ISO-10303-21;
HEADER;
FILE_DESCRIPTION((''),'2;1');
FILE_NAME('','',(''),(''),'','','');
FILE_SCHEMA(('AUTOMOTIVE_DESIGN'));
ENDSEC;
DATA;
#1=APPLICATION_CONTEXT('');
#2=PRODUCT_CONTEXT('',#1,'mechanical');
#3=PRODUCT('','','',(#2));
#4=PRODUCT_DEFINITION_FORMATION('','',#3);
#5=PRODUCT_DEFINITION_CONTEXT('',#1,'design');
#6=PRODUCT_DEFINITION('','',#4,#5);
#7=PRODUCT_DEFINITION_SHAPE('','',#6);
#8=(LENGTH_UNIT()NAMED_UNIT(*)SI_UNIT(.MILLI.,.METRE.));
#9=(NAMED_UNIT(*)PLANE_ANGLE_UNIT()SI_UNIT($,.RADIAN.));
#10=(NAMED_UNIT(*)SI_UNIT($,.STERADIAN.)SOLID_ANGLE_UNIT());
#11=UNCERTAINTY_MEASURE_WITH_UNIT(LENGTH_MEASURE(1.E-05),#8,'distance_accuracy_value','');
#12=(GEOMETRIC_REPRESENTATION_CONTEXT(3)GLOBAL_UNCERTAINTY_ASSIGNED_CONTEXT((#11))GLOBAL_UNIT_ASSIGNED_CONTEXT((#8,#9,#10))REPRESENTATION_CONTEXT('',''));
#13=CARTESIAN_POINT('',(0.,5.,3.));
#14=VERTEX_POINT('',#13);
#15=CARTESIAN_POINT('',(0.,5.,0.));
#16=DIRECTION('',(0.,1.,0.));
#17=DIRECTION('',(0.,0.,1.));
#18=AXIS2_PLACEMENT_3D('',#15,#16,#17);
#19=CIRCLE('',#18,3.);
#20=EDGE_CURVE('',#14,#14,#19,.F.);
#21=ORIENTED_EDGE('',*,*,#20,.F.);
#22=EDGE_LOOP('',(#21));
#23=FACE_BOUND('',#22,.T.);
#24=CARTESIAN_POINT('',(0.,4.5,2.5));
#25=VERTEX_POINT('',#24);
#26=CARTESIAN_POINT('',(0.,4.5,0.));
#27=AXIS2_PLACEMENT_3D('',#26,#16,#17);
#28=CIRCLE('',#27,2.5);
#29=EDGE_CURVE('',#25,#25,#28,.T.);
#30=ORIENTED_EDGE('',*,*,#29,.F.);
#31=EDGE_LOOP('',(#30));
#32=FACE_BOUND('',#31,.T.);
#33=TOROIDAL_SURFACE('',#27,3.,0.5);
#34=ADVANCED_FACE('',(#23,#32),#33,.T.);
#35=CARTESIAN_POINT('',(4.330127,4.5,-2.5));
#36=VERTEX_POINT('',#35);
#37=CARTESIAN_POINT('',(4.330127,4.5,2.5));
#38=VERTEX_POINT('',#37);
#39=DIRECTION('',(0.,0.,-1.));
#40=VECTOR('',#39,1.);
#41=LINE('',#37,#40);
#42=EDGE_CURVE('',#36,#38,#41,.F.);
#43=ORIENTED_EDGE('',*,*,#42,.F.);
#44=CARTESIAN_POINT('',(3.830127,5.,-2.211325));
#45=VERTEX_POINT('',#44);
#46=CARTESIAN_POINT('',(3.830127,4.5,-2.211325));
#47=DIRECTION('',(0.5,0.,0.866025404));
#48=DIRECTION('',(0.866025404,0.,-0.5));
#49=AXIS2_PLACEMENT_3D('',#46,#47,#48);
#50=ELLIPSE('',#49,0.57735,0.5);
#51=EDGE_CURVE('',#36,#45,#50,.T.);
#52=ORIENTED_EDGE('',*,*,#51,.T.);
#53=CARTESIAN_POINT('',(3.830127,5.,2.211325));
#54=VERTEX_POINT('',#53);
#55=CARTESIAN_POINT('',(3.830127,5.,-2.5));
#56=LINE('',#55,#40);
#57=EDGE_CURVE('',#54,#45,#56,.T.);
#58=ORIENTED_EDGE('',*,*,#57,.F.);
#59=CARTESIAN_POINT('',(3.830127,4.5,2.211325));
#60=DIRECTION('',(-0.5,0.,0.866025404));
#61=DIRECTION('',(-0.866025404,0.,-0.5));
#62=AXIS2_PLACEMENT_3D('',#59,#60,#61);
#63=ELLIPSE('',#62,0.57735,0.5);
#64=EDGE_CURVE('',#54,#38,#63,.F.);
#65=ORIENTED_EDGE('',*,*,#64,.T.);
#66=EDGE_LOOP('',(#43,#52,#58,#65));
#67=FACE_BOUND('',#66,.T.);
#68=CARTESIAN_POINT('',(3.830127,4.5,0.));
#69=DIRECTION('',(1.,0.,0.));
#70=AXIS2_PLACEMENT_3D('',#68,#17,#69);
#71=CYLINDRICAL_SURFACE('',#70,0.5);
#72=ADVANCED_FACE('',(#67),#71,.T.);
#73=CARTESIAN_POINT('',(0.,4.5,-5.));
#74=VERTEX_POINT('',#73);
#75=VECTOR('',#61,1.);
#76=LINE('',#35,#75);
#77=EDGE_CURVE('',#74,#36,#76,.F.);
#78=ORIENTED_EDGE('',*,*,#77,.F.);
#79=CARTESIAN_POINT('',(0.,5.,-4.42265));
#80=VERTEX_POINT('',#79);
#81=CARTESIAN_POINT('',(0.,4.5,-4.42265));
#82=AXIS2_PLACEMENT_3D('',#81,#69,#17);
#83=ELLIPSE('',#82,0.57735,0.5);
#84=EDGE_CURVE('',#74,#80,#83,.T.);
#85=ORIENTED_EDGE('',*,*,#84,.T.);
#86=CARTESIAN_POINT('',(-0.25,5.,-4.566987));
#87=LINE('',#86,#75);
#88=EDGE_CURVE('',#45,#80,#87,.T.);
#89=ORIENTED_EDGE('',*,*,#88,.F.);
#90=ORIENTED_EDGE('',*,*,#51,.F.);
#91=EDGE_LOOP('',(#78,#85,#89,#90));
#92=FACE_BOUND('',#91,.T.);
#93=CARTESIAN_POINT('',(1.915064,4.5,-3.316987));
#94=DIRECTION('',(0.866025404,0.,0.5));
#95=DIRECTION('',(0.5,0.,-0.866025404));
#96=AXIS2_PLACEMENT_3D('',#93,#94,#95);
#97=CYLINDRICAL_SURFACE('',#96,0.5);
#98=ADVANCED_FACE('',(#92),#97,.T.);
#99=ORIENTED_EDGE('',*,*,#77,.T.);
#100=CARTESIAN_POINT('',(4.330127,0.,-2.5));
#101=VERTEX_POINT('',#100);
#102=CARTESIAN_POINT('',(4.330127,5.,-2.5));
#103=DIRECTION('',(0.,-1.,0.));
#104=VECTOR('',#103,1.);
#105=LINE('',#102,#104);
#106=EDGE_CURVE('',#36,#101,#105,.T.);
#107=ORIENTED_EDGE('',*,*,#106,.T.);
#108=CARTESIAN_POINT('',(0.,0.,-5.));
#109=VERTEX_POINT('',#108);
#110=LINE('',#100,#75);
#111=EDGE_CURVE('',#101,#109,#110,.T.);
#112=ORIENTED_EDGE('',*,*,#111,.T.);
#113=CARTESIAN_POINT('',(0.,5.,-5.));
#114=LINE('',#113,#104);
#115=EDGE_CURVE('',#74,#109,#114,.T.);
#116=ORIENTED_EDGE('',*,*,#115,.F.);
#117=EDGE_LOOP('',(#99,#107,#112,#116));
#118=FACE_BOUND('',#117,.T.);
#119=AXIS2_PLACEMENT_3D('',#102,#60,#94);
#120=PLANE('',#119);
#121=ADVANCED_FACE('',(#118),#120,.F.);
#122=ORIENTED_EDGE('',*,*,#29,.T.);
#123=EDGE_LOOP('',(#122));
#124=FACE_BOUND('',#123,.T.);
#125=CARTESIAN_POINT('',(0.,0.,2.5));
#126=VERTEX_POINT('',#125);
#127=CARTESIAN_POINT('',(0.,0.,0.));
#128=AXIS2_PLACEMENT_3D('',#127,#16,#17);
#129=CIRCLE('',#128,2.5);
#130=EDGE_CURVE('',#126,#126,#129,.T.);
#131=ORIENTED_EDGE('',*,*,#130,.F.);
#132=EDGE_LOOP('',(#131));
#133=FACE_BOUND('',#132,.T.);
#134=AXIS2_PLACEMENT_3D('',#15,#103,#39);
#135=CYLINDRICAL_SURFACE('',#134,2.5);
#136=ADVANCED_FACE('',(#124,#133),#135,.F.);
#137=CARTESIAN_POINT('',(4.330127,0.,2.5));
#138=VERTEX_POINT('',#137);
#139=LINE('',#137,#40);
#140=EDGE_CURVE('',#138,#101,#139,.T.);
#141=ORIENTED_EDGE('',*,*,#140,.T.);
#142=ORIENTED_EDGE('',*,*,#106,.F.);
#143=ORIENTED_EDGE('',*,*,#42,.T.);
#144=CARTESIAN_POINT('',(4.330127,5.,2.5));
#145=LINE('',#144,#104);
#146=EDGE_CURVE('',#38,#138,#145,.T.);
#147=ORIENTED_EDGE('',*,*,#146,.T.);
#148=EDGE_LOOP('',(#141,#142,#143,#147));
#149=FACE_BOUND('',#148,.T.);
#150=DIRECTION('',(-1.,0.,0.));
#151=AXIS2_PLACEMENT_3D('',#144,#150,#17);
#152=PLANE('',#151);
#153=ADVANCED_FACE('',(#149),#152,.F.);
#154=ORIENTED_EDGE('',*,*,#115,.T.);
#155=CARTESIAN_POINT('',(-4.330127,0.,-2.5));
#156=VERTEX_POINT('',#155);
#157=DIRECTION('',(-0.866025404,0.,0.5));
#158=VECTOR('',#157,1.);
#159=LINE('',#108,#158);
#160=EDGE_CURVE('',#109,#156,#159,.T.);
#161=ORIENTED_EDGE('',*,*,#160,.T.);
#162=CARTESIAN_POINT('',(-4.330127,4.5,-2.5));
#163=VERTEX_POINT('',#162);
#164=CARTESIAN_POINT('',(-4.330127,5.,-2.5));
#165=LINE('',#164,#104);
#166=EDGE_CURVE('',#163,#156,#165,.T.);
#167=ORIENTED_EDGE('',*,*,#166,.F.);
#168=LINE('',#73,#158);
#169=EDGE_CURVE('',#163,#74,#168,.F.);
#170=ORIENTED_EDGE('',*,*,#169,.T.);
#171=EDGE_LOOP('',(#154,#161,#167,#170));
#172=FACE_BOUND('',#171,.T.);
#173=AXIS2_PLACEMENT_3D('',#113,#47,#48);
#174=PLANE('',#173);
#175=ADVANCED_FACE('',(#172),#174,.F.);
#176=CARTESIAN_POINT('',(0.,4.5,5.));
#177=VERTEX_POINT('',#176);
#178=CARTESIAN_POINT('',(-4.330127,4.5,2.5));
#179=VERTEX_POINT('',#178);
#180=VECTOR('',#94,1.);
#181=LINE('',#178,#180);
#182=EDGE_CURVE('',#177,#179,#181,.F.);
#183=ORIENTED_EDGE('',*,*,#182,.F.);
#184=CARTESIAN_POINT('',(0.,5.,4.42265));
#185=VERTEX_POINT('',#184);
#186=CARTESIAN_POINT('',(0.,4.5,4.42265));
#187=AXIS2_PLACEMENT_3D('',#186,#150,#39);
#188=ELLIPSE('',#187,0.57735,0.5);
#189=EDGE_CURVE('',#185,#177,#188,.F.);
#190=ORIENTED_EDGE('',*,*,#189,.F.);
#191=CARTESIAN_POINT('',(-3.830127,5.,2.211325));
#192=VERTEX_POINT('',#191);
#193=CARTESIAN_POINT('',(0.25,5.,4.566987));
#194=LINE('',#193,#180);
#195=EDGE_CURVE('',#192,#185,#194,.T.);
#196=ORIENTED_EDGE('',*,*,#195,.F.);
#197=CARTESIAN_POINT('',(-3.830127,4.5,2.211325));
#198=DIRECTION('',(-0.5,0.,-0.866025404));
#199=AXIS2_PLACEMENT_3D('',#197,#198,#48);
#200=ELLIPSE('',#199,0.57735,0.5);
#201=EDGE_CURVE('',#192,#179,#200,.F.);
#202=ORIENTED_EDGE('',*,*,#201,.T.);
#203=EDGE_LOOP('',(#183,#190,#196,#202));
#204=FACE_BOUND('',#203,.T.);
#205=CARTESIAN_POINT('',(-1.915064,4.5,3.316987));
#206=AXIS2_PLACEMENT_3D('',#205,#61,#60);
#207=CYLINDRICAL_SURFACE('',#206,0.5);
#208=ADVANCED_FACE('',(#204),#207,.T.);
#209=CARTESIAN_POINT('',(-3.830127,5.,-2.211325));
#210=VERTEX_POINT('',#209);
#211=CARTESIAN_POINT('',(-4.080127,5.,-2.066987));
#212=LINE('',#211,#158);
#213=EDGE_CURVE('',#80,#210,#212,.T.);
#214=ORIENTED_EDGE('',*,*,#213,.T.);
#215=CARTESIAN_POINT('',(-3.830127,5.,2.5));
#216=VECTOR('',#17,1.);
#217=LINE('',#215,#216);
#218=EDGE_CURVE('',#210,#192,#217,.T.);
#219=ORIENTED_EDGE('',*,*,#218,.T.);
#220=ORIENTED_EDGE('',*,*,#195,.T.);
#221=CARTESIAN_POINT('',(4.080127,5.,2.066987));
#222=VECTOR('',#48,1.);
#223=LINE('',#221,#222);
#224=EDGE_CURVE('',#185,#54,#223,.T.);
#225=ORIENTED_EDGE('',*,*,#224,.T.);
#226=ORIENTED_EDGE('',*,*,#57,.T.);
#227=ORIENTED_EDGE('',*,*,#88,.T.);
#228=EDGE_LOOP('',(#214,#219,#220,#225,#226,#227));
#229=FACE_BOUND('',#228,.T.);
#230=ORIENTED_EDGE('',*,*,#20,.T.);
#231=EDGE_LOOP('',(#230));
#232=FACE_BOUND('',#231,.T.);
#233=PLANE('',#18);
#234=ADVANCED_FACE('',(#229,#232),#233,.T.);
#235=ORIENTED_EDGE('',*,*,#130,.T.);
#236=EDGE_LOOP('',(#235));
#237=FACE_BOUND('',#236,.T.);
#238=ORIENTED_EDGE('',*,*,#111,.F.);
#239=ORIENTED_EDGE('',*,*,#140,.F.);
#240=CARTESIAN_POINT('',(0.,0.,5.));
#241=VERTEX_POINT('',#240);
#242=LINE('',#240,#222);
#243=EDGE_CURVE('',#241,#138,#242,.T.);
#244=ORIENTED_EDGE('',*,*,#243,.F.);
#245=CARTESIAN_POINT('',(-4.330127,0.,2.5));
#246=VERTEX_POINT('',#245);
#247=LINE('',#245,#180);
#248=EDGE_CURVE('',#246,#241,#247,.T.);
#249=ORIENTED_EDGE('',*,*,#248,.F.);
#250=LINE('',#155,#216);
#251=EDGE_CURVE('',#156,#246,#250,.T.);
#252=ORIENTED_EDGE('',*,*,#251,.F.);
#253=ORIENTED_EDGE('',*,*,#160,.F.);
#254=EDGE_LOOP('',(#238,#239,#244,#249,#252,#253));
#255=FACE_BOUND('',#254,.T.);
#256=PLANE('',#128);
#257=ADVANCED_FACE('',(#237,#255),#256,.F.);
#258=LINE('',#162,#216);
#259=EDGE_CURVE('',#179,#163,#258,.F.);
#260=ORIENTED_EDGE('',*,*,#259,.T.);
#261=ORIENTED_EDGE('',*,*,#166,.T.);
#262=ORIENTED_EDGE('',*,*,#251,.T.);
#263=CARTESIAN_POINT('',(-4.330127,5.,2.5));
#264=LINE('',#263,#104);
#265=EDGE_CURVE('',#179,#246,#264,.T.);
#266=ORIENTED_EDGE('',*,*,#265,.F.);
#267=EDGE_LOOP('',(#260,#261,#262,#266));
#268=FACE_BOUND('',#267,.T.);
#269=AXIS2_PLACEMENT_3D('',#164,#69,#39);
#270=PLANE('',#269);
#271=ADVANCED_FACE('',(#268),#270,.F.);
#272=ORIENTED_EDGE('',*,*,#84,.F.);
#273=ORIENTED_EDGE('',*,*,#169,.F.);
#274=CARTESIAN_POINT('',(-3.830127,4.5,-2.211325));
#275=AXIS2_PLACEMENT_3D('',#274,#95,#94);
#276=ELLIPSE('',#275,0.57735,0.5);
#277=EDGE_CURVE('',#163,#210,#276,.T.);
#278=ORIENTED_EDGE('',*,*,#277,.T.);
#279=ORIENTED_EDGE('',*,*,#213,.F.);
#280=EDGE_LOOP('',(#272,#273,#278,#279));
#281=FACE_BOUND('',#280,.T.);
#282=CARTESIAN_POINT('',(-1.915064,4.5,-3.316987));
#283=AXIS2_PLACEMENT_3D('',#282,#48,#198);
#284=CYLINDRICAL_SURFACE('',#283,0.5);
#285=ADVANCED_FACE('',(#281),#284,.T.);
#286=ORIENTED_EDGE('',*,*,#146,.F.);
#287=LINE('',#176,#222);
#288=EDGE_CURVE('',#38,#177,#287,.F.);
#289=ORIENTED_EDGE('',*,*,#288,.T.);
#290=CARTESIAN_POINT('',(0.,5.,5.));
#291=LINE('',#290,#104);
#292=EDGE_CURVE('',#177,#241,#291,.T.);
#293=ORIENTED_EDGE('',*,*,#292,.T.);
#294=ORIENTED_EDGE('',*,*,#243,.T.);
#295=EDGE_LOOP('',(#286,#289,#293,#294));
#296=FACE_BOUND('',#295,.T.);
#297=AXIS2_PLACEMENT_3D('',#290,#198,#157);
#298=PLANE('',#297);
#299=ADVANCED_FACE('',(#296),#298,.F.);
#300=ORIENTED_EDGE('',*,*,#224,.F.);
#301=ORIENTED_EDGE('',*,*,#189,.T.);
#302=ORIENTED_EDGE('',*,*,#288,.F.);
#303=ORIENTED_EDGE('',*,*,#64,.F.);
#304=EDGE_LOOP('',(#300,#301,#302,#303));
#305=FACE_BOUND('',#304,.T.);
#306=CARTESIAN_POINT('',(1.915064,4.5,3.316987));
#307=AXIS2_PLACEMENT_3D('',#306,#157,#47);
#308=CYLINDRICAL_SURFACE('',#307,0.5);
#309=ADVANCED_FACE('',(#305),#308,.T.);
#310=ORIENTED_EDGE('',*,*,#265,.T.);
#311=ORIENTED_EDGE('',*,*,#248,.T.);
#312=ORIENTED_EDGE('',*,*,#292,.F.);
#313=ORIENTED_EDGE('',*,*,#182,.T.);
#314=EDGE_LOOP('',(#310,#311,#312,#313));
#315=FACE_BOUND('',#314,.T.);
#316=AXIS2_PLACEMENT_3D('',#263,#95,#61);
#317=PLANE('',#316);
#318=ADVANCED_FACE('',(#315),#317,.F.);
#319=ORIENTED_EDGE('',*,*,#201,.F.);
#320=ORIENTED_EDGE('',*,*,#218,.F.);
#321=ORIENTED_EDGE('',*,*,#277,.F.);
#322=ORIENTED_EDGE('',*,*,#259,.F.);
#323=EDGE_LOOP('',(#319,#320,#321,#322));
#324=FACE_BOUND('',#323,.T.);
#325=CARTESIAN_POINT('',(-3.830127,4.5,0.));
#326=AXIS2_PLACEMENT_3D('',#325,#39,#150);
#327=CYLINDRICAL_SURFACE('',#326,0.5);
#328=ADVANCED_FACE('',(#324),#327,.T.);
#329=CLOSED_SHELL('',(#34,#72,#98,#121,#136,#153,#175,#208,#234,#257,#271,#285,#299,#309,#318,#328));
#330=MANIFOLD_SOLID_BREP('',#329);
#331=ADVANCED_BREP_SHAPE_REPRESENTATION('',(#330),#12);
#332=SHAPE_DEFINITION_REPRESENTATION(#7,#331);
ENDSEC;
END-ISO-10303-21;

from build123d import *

# Parameters (mm, degrees)
SKETCH1_R           = 2.5
BOSS_EXTRUDE1_DEPTH = 5
FILLET1_R           = 0.5


with BuildPart() as part:
    # Sketch1 → Boss-Extrude1 (new body)
    with BuildSketch(Plane(origin=(0, 0, 0), x_dir=(1, 0, 0), z_dir=(0, 1, 0))):
        Polygon((0, 5), (-4.330127019, 2.5), (-4.330127019, -2.5), (0, -5), (4.330127019, -2.5), (4.330127019, 2.5), align=None)
        with Locations(Location((0, 0, 0), (0, 0, 270))):
            Circle(SKETCH1_R, mode=Mode.SUBTRACT)
    extrude(amount=BOSS_EXTRUDE1_DEPTH)

    # Fillet1
    fillet1_edges = [part.edges().sort_by_distance(p)[0] for p in [
        (-4.330127019, 5, 0),
        (-2.165063509, 5, 3.75),
        (2.165063509, 5, 3.75),
        (0, 5, -2.5),
        (4.330127019, 5, 0),
        (2.165063509, 5, -3.75),
        (-2.165063509, 5, -3.75),
    ]]
    fillet(fillet1_edges, radius=FILLET1_R)


solid = part.part
